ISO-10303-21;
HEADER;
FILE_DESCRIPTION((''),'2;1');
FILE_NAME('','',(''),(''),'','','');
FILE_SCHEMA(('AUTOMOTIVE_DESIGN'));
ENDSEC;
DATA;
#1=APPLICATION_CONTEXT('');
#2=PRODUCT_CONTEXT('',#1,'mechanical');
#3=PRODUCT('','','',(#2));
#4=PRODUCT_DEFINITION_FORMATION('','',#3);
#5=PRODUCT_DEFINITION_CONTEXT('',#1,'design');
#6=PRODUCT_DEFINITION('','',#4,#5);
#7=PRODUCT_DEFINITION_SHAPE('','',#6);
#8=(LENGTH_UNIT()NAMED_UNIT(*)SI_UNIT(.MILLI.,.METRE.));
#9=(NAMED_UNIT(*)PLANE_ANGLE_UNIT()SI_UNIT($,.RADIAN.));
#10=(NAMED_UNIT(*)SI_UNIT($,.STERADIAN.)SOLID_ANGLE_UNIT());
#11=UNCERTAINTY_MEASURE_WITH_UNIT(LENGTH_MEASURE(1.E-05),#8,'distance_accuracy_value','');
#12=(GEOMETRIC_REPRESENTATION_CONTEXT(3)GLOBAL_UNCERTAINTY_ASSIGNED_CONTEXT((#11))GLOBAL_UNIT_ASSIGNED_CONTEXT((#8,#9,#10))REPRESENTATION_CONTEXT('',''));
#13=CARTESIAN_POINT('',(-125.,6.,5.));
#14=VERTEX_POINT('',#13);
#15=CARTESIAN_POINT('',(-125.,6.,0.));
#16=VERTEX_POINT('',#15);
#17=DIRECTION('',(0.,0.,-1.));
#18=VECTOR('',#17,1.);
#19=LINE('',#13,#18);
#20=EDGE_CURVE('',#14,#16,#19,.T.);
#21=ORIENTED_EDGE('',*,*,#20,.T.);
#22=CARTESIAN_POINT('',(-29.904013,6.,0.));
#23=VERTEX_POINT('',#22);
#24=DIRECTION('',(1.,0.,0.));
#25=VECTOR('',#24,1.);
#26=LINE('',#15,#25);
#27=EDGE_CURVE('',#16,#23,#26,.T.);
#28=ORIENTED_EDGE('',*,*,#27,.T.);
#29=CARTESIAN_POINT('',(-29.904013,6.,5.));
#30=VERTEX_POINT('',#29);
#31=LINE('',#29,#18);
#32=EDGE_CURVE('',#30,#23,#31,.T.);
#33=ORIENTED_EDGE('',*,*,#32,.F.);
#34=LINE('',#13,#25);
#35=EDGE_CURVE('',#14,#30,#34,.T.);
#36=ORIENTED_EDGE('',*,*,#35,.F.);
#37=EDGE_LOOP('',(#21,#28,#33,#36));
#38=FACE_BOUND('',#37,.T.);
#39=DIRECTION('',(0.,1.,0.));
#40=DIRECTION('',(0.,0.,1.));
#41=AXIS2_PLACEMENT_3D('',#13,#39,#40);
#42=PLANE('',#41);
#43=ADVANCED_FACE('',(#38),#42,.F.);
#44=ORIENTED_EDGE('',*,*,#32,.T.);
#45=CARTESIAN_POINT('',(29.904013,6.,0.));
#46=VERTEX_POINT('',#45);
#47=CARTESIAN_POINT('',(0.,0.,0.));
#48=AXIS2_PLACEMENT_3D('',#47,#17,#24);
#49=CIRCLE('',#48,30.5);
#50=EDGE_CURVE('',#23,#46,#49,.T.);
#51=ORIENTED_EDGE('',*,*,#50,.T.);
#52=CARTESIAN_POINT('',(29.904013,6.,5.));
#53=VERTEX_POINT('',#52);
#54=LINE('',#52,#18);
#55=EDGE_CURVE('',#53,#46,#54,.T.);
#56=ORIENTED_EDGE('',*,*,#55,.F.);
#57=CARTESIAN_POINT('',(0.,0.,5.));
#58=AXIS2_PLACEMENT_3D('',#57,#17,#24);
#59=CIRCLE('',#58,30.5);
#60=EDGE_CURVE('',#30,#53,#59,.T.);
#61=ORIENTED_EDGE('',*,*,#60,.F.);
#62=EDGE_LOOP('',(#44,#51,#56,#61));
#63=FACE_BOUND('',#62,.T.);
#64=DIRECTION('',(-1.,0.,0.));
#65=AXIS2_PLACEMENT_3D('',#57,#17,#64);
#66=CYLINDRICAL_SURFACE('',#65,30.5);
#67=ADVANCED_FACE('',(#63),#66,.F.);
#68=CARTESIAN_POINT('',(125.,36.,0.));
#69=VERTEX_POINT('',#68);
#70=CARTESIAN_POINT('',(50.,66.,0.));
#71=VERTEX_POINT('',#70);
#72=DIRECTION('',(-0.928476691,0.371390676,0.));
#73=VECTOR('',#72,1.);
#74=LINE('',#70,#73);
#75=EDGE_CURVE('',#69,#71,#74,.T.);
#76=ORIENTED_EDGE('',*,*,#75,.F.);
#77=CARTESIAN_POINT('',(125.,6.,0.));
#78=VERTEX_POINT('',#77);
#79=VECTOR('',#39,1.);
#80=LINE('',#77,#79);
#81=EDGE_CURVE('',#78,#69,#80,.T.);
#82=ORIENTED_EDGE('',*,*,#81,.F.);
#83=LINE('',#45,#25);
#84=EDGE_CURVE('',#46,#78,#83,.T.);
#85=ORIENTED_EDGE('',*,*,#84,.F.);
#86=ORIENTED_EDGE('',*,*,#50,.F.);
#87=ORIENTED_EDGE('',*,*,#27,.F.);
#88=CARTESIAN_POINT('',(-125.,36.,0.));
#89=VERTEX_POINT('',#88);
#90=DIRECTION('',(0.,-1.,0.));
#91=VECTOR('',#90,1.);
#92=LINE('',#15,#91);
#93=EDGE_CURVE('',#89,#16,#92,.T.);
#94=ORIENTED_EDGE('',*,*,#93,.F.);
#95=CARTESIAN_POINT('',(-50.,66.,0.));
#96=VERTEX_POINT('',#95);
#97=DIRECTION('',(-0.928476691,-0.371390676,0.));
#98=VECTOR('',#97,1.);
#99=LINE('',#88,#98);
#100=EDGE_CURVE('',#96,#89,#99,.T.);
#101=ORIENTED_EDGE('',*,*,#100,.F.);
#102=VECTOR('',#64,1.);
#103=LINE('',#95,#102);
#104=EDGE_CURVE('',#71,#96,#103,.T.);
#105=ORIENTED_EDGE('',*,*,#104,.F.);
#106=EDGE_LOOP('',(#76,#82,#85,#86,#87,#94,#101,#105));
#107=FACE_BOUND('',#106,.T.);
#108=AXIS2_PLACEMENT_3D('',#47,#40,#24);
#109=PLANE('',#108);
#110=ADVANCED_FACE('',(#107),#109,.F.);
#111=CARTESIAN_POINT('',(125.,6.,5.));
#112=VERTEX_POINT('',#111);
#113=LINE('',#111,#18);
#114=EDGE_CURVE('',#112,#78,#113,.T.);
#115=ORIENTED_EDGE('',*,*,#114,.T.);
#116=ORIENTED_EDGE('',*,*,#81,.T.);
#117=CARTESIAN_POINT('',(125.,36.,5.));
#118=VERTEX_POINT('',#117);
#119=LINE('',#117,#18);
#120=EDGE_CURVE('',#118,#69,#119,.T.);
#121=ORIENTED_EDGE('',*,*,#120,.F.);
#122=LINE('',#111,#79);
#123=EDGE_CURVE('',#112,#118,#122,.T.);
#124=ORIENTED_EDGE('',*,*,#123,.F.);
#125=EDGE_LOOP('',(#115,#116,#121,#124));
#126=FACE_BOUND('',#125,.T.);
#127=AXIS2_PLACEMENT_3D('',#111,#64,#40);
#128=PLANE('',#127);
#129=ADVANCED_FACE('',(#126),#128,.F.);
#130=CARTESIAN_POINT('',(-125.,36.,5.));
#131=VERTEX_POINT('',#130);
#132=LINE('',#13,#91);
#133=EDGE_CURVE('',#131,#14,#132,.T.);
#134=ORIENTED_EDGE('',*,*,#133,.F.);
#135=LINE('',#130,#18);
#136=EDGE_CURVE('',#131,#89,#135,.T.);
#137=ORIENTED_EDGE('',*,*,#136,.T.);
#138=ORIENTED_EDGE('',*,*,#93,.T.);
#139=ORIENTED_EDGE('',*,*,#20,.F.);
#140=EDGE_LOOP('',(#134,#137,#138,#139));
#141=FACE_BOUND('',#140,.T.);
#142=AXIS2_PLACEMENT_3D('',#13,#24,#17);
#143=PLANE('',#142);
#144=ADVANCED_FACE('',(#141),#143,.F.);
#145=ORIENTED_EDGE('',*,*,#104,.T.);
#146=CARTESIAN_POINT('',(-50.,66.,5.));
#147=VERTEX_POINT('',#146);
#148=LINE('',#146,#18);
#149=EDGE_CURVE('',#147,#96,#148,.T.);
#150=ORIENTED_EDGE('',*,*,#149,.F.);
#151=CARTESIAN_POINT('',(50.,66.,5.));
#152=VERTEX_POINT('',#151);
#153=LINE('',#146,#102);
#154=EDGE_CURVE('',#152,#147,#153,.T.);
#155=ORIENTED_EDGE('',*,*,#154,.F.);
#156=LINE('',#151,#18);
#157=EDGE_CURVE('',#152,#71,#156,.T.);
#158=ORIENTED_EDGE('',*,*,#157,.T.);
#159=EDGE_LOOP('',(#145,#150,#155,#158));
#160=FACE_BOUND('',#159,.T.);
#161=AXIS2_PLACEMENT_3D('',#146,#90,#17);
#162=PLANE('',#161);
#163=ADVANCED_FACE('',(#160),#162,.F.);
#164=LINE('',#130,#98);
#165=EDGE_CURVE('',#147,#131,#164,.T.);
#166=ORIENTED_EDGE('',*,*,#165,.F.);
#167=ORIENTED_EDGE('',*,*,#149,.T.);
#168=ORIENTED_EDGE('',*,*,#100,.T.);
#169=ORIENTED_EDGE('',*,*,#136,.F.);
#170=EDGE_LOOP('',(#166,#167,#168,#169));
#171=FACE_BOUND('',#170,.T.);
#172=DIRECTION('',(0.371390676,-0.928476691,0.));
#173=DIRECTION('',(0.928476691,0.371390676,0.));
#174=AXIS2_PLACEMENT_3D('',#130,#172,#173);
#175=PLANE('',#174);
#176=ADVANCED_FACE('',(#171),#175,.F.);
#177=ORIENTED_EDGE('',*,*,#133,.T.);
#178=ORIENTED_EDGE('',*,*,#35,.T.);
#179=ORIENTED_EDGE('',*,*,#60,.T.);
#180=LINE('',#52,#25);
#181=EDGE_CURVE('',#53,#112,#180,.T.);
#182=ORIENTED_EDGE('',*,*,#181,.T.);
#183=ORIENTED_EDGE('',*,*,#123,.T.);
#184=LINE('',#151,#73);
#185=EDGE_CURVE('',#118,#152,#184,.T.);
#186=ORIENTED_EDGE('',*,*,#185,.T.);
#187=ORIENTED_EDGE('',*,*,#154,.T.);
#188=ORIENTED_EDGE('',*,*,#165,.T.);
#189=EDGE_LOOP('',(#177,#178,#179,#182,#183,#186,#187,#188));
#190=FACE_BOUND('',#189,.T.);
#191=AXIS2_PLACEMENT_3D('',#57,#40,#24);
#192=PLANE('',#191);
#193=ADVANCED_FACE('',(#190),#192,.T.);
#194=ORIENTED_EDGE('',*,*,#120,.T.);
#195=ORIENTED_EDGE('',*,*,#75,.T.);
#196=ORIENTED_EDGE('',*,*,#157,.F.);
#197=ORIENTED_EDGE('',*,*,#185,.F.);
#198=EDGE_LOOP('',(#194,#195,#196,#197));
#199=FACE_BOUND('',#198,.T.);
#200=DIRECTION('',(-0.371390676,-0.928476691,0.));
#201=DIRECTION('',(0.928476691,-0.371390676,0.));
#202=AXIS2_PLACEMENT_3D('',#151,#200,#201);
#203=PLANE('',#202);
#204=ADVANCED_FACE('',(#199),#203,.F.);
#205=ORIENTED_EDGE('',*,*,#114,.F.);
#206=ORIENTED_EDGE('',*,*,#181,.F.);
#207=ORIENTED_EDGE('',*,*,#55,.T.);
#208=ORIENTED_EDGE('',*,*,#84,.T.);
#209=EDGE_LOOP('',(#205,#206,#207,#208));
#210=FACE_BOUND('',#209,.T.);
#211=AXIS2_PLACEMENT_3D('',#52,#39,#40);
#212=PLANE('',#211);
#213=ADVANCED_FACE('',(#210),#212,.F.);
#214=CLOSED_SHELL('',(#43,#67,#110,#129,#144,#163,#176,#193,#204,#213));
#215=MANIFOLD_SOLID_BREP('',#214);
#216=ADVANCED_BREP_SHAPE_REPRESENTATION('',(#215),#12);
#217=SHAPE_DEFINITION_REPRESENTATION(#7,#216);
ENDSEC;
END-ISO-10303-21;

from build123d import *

# Parameters (mm, degrees)
BOSS_EXTRUDE1_DEPTH = 5


with BuildPart() as part:
    # Sketch1 → Boss-Extrude1 (new body)
    with BuildSketch(Plane.XY):
        with BuildLine():
            Line((-125, 36), (-50, 66))
            Line((-50, 66), (50, 66))
            Line((50, 66), (125, 36))
            Line((125, 36), (125, 6))
            Line((125, 6), (29.904013109, 6))
            ThreePointArc((29.904013109, 6), (0, 30.5), (-29.904013109, 6))
            Line((-29.904013109, 6), (-125, 6))
            Line((-125, 6), (-125, 36))
        make_face()
    extrude(amount=BOSS_EXTRUDE1_DEPTH)


solid = part.part
